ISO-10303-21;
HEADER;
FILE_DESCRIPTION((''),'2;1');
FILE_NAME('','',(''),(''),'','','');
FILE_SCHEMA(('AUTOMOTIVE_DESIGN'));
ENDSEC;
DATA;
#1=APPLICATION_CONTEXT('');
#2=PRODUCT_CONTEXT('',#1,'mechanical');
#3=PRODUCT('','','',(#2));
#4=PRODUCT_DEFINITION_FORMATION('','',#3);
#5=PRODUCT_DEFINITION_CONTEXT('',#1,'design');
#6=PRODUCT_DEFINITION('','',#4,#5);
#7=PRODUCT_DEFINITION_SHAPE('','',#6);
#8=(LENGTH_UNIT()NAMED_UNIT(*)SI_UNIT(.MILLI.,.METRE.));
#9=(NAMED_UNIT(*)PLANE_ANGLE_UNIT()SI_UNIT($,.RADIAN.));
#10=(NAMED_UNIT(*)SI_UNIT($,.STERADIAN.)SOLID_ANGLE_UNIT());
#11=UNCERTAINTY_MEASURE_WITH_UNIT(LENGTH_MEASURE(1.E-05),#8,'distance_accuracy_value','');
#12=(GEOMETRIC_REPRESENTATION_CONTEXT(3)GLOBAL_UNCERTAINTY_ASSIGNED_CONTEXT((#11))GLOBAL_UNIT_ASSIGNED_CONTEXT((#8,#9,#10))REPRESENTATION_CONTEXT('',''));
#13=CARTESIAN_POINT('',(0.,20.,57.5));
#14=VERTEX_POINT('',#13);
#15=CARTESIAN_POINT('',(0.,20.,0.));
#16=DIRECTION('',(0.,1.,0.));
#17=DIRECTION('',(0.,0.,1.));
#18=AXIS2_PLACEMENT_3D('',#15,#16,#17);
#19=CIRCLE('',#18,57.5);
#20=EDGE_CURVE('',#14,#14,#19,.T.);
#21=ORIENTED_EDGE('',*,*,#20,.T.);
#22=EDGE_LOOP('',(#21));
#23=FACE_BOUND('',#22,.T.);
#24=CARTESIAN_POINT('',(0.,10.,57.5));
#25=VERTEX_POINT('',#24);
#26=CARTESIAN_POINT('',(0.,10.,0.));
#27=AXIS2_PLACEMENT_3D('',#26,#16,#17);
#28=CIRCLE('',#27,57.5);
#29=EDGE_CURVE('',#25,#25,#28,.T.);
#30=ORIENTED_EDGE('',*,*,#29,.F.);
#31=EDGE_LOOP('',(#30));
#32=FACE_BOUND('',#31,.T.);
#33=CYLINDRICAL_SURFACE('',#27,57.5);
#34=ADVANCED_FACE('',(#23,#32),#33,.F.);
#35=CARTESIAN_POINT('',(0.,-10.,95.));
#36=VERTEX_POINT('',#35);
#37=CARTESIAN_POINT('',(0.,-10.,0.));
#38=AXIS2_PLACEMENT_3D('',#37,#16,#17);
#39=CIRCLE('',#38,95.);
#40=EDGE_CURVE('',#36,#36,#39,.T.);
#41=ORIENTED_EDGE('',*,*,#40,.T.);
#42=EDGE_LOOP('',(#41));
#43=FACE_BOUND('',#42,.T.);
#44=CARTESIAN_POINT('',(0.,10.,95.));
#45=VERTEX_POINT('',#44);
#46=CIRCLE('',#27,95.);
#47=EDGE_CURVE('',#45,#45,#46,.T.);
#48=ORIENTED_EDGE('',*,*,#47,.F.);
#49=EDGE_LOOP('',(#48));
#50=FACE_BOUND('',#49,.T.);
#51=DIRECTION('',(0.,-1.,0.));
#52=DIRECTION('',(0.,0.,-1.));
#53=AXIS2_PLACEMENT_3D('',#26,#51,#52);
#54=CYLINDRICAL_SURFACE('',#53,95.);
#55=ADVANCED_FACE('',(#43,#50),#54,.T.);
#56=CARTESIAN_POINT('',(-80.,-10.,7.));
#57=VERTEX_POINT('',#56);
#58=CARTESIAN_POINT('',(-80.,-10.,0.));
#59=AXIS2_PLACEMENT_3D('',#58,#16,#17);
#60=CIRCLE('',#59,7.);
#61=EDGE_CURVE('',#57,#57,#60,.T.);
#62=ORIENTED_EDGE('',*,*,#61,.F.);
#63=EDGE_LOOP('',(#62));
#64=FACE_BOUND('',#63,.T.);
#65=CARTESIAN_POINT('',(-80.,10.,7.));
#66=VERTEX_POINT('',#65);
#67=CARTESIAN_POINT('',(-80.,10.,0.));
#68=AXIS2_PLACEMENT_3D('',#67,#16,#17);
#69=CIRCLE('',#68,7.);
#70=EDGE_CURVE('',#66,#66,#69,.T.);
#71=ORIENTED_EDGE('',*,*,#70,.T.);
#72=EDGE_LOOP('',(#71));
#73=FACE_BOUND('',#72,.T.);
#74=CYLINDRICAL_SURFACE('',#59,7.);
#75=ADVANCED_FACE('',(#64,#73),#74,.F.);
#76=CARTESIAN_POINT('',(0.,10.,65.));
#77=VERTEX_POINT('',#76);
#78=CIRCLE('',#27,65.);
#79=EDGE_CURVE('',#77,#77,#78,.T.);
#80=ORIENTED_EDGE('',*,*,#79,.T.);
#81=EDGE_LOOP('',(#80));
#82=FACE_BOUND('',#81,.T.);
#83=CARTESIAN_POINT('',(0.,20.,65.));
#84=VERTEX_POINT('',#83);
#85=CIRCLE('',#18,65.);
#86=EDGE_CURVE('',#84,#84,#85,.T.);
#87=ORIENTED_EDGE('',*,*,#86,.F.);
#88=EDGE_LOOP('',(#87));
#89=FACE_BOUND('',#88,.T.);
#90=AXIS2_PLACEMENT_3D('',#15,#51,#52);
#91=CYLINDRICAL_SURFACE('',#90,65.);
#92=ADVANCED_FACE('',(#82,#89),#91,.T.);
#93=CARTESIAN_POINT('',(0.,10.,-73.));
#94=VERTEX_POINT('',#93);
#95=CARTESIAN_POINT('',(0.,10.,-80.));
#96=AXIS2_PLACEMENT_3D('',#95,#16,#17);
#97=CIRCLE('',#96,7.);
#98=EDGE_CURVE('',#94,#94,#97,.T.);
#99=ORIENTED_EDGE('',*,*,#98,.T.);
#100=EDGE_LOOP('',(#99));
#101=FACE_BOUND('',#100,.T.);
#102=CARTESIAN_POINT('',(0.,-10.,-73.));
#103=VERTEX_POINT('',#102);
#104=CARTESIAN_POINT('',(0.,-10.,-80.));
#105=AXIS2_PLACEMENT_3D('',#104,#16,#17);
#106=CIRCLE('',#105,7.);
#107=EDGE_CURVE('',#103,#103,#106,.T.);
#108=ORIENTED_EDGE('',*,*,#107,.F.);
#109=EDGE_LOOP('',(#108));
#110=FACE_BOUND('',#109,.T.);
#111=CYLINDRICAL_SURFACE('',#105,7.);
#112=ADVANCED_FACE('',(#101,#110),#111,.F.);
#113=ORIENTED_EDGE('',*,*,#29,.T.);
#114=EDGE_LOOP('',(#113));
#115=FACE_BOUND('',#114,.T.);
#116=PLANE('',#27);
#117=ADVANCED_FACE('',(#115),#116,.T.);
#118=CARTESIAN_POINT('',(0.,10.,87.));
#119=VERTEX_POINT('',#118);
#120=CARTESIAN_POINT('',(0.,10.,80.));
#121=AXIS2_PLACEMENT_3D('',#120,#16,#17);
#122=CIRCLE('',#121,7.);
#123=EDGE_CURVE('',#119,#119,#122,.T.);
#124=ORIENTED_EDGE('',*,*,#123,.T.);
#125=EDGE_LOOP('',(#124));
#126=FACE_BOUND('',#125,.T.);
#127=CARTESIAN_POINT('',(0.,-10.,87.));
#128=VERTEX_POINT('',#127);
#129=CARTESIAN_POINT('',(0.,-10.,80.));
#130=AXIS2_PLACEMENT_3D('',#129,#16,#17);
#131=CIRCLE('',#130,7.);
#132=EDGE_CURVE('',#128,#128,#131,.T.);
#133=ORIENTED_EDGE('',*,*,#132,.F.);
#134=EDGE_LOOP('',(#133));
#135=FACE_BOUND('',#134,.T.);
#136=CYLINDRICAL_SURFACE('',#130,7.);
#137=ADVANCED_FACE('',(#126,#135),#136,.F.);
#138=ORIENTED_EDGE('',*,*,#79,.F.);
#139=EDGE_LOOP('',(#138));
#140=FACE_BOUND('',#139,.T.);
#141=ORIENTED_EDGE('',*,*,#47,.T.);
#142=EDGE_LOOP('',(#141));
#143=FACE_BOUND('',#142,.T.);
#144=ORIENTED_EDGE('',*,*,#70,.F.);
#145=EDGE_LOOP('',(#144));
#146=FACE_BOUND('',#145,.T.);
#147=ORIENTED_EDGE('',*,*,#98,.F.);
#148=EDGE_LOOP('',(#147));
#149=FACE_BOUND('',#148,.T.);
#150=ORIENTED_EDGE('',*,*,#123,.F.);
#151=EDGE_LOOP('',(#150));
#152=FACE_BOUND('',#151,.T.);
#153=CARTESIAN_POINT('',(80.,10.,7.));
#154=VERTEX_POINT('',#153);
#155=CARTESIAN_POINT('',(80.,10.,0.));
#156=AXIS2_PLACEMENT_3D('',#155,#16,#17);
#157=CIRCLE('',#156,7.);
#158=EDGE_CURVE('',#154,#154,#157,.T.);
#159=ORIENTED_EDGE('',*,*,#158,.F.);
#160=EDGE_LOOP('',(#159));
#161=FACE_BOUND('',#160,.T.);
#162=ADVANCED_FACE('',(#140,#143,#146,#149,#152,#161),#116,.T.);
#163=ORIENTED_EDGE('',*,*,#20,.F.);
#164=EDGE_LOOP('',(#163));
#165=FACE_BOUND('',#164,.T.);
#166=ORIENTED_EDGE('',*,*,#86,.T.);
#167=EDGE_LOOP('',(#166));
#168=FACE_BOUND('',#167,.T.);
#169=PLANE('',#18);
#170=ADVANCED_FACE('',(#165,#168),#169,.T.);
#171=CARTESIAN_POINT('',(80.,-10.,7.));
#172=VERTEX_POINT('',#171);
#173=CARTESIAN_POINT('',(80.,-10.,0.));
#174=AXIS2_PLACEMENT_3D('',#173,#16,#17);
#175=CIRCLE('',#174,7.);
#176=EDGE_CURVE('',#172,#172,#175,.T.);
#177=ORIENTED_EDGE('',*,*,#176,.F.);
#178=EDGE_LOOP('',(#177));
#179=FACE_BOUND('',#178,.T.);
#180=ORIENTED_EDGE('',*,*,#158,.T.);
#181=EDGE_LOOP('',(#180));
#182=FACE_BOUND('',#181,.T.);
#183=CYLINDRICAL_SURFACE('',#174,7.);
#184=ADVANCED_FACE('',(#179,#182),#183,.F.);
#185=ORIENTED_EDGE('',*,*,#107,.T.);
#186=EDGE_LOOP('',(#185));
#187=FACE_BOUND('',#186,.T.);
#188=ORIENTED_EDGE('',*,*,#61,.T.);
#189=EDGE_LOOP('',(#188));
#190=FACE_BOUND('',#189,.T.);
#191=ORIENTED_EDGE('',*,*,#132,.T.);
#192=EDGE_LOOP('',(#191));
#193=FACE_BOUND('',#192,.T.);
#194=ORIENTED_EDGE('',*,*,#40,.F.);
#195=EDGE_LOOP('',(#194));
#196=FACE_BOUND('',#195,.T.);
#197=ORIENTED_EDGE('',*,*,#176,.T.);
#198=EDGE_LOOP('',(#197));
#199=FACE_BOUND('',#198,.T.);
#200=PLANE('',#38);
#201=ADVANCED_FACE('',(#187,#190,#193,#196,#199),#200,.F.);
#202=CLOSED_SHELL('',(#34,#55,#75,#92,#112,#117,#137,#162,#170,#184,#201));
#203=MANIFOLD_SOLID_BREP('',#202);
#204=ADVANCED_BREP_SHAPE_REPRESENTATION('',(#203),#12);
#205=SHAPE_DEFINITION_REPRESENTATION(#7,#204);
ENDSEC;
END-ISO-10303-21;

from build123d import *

# Parameters (mm, degrees)
SKETCH1_R           = 95
BOSS_EXTRUDE1_DEPTH = 10
SKETCH2_R           = 65
BOSS_EXTRUDE2_DEPTH = 10
SKETCH3_R           = 57.5
CUT_EXTRUDE1_DEPTH  = 10
SKETCH4_R           = 7
CUT_EXTRUDE2_DEPTH  = 136.830777072


with BuildPart() as part:
    # Sketch1 → Boss-Extrude1 (new, symmetric)
    with BuildSketch(Plane(origin=(0, 0, 0), x_dir=(1, 0, 0), z_dir=(0, 1, 0))):
        with Locations(Location((0, 0, 0), (0, 0, 270))):
            Circle(SKETCH1_R)
    extrude(amount=BOSS_EXTRUDE1_DEPTH, both=True)

    # Sketch2 → Boss-Extrude2 (add)
    with BuildSketch(Plane(origin=(0, 10, 0), x_dir=(1, 0, 0), z_dir=(0, 1, 0))):
        with Locations(Location((0, 0, 0), (0, 0, 270))):
            Circle(SKETCH2_R)
    extrude(amount=BOSS_EXTRUDE2_DEPTH)

    # Sketch3 → Cut-Extrude1 (cut)
    with BuildSketch(Plane(origin=(0, 20, 0), x_dir=(1, 0, 0), z_dir=(0, 1, 0))):
        with Locations(Location((0, 0, 0), (0, 0, 270))):
            Circle(SKETCH3_R)
    extrude(amount=-CUT_EXTRUDE1_DEPTH, mode=Mode.SUBTRACT)

    # Sketch4 → Cut-Extrude2 (cut, through all)
    with BuildSketch(Plane(origin=(0, 10, 0), x_dir=(1, 0, 0), z_dir=(0, 1, 0))):
        with Locations(Location((0, 80, 0), (0, 0, 270))):
            Circle(SKETCH4_R)
        with Locations(Location((80, 0, 0), (0, 0, 270))):
            Circle(SKETCH4_R)
        with Locations(Location((0, -80, 0), (0, 0, 270))):
            Circle(SKETCH4_R)
        with Locations(Location((-80, 0, 0), (0, 0, 270))):
            Circle(SKETCH4_R)
    extrude(amount=-CUT_EXTRUDE2_DEPTH, mode=Mode.SUBTRACT)


solid = part.part
